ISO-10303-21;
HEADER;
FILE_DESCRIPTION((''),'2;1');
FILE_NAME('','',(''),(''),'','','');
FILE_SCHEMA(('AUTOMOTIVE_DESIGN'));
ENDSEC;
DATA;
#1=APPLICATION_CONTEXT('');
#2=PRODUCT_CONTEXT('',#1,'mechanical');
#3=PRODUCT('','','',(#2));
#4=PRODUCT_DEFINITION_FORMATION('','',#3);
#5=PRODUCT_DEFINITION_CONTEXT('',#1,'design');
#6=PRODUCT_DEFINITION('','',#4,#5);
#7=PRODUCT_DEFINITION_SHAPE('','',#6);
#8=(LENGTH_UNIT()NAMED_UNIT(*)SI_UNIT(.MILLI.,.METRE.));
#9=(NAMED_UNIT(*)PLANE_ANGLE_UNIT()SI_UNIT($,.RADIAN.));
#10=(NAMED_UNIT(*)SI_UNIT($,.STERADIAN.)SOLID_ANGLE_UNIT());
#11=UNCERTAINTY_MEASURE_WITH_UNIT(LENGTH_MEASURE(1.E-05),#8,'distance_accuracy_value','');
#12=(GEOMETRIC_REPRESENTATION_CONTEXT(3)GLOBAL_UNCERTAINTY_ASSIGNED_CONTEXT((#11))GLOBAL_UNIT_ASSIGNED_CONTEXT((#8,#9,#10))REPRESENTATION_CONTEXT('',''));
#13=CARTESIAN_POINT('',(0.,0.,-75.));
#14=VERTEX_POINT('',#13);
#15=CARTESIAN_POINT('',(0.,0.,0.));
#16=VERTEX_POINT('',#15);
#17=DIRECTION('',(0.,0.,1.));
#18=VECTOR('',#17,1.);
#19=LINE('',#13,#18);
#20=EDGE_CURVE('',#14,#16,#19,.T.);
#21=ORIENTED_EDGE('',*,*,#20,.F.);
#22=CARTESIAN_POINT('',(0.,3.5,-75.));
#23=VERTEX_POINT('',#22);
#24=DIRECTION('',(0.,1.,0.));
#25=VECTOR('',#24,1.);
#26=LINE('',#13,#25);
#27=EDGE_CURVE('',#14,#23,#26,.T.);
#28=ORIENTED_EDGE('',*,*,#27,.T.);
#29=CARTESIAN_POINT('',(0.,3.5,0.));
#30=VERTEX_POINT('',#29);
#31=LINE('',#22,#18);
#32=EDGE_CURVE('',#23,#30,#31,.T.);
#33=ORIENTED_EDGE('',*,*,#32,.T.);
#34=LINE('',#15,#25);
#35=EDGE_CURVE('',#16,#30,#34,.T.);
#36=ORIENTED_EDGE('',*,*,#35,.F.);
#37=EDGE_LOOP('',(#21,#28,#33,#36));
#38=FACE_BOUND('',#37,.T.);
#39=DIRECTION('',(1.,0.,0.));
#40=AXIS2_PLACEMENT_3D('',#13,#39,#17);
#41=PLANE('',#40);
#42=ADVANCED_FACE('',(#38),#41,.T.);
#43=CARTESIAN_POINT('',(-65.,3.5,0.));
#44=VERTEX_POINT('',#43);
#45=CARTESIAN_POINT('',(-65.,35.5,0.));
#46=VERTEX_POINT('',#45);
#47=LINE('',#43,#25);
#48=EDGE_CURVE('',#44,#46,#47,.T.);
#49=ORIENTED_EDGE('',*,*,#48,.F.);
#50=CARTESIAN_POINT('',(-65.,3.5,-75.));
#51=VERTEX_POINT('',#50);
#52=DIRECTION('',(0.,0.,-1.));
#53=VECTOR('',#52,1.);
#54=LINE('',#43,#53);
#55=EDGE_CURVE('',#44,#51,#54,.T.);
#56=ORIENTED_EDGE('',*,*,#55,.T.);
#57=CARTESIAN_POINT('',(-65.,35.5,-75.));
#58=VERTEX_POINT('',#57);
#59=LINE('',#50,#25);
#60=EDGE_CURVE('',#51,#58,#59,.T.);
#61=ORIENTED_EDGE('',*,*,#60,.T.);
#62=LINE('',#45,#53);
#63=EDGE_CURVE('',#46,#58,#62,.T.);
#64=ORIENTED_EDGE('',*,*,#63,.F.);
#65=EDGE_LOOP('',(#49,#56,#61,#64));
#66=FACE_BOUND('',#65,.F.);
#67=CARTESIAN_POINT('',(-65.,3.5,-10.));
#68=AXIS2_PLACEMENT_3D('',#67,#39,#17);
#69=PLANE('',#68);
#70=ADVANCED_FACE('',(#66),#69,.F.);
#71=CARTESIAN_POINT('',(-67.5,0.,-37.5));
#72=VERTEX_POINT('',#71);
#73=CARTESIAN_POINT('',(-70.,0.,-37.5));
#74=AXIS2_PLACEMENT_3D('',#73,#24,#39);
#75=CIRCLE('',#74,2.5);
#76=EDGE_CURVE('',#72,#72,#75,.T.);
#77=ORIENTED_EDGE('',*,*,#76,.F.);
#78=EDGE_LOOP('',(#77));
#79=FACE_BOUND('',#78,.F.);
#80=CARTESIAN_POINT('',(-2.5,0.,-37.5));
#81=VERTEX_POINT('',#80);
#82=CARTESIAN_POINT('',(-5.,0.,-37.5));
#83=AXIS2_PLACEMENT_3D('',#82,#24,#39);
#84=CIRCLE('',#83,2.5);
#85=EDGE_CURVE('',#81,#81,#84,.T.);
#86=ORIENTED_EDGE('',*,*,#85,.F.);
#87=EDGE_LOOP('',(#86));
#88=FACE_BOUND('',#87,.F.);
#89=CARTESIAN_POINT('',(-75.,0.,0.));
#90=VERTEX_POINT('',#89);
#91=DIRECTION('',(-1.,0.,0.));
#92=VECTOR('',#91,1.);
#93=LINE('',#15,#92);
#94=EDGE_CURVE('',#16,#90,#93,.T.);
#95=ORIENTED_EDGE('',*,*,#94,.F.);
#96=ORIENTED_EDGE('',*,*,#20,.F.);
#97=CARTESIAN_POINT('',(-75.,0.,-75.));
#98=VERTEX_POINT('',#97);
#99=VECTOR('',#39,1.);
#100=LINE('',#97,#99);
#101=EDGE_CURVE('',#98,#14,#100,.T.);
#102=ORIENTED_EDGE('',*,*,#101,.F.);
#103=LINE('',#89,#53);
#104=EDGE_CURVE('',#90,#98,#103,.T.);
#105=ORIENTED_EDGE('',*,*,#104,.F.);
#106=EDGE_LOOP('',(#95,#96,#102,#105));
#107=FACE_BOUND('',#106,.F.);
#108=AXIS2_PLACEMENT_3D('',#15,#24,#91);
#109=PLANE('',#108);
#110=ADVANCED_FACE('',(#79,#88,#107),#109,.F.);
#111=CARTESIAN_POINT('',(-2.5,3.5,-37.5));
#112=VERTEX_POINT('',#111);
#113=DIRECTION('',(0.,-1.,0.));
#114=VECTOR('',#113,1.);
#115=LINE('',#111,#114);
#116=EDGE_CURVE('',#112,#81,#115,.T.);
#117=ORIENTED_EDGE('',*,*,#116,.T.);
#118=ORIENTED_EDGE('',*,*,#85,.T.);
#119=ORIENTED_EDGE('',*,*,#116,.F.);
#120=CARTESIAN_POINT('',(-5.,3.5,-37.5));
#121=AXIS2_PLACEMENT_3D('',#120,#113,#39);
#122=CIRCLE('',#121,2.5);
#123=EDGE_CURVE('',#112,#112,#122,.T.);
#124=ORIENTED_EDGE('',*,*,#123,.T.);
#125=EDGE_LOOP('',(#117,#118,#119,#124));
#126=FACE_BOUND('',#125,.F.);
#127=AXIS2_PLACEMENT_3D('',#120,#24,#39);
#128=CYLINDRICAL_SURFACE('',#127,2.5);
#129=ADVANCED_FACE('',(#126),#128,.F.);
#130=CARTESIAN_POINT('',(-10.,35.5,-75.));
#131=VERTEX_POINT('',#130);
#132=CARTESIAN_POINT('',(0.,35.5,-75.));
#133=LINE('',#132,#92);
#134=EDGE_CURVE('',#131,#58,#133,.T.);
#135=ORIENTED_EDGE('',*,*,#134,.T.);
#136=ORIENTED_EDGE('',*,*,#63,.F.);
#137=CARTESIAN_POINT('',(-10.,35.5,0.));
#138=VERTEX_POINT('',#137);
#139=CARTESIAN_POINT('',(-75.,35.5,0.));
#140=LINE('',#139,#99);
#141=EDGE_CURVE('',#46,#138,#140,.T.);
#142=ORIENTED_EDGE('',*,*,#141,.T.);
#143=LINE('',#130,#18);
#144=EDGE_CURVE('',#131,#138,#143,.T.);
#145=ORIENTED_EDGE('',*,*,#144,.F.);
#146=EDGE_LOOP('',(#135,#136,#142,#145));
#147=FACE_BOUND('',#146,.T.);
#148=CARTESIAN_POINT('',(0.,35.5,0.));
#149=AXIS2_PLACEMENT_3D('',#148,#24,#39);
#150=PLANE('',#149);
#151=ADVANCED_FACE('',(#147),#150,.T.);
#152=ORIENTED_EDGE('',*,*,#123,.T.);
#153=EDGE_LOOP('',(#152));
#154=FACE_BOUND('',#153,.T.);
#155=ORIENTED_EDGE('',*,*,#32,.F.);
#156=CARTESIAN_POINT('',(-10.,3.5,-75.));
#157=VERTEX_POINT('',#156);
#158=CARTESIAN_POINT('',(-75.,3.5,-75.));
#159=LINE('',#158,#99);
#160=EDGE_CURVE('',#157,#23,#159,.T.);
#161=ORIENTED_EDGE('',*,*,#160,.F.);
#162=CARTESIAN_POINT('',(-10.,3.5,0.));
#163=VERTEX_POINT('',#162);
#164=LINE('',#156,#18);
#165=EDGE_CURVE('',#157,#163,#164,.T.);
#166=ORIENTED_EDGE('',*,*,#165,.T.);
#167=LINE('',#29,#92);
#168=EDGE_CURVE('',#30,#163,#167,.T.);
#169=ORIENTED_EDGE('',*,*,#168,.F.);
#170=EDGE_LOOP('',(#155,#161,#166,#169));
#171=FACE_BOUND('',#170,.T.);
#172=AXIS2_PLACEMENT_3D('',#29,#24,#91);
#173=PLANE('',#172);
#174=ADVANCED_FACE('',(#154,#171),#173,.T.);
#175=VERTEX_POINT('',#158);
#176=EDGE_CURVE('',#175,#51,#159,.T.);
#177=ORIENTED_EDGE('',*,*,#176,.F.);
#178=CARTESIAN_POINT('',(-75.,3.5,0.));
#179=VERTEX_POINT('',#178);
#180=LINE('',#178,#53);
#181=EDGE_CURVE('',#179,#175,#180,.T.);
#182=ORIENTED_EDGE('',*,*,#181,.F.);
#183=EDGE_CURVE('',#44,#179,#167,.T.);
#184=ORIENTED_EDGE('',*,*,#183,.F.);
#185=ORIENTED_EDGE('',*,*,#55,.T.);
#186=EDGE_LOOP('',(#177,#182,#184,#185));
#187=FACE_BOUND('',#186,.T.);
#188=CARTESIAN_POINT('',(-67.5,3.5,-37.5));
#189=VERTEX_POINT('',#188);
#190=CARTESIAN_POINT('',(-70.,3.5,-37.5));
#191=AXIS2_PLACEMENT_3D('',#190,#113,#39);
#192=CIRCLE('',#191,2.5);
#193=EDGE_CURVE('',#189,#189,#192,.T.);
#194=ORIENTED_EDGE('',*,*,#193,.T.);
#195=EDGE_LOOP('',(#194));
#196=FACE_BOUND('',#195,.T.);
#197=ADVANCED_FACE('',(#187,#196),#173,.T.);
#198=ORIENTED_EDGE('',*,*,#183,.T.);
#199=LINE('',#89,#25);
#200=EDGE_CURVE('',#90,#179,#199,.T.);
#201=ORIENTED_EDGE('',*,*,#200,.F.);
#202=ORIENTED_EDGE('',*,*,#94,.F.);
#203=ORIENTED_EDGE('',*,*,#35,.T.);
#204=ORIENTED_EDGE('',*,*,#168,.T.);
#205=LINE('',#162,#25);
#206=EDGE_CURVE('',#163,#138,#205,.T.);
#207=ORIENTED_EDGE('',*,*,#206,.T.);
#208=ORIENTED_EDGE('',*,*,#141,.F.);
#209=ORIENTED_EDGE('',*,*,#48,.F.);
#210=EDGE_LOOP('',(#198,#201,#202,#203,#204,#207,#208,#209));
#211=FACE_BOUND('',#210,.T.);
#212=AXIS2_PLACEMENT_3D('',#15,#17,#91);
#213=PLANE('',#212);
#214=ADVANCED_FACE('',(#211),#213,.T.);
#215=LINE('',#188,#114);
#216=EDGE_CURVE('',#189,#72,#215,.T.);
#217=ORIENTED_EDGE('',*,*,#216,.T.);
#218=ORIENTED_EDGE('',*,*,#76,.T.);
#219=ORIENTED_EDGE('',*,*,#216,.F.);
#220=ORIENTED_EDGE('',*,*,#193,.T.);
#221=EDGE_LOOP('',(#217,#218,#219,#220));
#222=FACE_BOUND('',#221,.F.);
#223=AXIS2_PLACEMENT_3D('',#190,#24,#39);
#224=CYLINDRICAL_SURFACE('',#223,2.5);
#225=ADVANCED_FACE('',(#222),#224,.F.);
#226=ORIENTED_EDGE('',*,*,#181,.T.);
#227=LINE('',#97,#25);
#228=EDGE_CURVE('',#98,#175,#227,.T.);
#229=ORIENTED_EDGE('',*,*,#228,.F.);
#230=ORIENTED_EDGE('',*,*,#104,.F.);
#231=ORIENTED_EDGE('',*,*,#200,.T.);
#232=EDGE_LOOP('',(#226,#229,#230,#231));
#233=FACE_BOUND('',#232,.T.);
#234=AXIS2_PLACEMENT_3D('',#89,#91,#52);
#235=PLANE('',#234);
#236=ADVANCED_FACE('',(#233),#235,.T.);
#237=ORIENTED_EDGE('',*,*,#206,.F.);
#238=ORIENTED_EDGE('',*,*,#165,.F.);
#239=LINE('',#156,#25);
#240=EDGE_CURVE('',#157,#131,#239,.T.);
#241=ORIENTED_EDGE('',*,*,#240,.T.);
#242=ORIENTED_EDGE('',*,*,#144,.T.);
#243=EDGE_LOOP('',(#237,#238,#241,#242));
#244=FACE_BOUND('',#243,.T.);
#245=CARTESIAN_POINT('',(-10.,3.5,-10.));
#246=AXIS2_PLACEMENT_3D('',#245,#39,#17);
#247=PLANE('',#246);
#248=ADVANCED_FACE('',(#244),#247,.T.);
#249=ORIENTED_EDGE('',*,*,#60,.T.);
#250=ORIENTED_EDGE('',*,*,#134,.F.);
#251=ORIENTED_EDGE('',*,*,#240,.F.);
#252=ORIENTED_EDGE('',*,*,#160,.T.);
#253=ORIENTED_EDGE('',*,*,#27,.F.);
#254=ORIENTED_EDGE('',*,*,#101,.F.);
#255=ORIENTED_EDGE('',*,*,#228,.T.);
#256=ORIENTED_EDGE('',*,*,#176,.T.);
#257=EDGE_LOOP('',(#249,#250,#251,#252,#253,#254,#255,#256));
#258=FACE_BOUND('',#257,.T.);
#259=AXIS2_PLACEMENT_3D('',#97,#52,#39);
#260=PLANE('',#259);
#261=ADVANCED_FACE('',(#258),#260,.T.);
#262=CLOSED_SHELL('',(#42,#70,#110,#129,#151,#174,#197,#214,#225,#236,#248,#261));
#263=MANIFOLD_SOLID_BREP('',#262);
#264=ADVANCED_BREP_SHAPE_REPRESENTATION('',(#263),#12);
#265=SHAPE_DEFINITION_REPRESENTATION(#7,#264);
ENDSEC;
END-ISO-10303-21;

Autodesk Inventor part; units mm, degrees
ref_plane "YZ Plane" through (0, 0, 0) normal (1, 0, 0) x (0, 1, 0)
ref_plane "XZ Plane" through (0, 0, 0) normal (0, 1, 0) x (-1, 0, 0)
ref_plane "XY Plane" through (0, 0, 0) normal (0, 0, 1) x (1, 0, 0)
sketch "Sketch1" plane through (0, 0, 0) normal (0, 1, 0) x (-1, 0, 0)
  line L0 (0, 0) -> (75, 0)
  line L1 (75, 0) -> (75, -75)
  line L2 (75, -75) -> (0, -75)
  line L3 (0, -75) -> (0, 0)
  dimension "d0" = 75
  dimension "d1" = 75
extrude "Extrusion1" add sketch "Sketch1" along normal blind 3.5
sketch "Sketch2" plane through (0, 3.5, 0) normal (0, 1, 0) x (1, 0, 0)
  line L0 (-75, 0) -> (0, 0) projected
  line L1 (0, 0) -> (0, 75) projected
  line L2 (0, 75) -> (-75, 75) projected
  line L3 (-75, 75) -> (-75, 0) projected
  line L4 (-75, 75) -> (-75, 0) projected
  line L5 (0, 0) -> (0, 75) projected
  line L6 (-5, 5) -> (-75, 5)
  line L7 (-70, 75) -> (-70, 0)
  circle A0 centre (-70, 37.5) radius 2.5
  circle A1 centre (-5, 37.5) radius 2.5
  line L8 (-75, 37.5) -> (-7.5, 37.5)
  line L9 (-2.5, 37.5) -> (0, 37.5)
  line L10 (-5, 75) -> (-5, 40)
  line L11 (-5, 35) -> (-5, 5)
  dimension "d5" = 5
  dimension "d6" = 5
  dimension "d7" = 5
extrude "Extrusion2" cut sketch "Sketch2" against normal blind 3.5 contours A0 L8 L7 | L7 L8 A0 | A0 L7 L8 | A1 | L7 A0 L8
sketch "Sketch3" plane through (0, 3.5, 0) normal (0, 1, 0) x (1, 0, 0)
  circle A0 centre (-70, 37.5) radius 2.5 projected
  circle A1 centre (-5, 37.5) radius 2.5 projected
  line L0 (-75, 0) -> (0, 0) projected
  line L1 (0, 0) -> (0, 75) projected
  line L2 (0, 75) -> (-75, 75) projected
  line L3 (-75, 75) -> (-75, 0) projected
  line L4 (-10, 10) -> (-10, 65)
  line L5 (-65, 65) -> (-65, 10)
  line L6 (-65, 65) -> (-65, 75)
  line L7 (0, 75) -> (-75, 75) projected
  line L8 (-65, 10) -> (-65, 0)
  line L9 (-75, 0) -> (0, 0) projected
  line L10 (-10, 10) -> (-10, 0)
  line L11 (-10, 65) -> (-10, 75)
  dimension "d10" = 10
extrude "Extrusion3" add sketch "Sketch3" along normal blind 32 contours L8 L5 L6 L2 L11 L4 L10 L0
properties part number "power_suply"
